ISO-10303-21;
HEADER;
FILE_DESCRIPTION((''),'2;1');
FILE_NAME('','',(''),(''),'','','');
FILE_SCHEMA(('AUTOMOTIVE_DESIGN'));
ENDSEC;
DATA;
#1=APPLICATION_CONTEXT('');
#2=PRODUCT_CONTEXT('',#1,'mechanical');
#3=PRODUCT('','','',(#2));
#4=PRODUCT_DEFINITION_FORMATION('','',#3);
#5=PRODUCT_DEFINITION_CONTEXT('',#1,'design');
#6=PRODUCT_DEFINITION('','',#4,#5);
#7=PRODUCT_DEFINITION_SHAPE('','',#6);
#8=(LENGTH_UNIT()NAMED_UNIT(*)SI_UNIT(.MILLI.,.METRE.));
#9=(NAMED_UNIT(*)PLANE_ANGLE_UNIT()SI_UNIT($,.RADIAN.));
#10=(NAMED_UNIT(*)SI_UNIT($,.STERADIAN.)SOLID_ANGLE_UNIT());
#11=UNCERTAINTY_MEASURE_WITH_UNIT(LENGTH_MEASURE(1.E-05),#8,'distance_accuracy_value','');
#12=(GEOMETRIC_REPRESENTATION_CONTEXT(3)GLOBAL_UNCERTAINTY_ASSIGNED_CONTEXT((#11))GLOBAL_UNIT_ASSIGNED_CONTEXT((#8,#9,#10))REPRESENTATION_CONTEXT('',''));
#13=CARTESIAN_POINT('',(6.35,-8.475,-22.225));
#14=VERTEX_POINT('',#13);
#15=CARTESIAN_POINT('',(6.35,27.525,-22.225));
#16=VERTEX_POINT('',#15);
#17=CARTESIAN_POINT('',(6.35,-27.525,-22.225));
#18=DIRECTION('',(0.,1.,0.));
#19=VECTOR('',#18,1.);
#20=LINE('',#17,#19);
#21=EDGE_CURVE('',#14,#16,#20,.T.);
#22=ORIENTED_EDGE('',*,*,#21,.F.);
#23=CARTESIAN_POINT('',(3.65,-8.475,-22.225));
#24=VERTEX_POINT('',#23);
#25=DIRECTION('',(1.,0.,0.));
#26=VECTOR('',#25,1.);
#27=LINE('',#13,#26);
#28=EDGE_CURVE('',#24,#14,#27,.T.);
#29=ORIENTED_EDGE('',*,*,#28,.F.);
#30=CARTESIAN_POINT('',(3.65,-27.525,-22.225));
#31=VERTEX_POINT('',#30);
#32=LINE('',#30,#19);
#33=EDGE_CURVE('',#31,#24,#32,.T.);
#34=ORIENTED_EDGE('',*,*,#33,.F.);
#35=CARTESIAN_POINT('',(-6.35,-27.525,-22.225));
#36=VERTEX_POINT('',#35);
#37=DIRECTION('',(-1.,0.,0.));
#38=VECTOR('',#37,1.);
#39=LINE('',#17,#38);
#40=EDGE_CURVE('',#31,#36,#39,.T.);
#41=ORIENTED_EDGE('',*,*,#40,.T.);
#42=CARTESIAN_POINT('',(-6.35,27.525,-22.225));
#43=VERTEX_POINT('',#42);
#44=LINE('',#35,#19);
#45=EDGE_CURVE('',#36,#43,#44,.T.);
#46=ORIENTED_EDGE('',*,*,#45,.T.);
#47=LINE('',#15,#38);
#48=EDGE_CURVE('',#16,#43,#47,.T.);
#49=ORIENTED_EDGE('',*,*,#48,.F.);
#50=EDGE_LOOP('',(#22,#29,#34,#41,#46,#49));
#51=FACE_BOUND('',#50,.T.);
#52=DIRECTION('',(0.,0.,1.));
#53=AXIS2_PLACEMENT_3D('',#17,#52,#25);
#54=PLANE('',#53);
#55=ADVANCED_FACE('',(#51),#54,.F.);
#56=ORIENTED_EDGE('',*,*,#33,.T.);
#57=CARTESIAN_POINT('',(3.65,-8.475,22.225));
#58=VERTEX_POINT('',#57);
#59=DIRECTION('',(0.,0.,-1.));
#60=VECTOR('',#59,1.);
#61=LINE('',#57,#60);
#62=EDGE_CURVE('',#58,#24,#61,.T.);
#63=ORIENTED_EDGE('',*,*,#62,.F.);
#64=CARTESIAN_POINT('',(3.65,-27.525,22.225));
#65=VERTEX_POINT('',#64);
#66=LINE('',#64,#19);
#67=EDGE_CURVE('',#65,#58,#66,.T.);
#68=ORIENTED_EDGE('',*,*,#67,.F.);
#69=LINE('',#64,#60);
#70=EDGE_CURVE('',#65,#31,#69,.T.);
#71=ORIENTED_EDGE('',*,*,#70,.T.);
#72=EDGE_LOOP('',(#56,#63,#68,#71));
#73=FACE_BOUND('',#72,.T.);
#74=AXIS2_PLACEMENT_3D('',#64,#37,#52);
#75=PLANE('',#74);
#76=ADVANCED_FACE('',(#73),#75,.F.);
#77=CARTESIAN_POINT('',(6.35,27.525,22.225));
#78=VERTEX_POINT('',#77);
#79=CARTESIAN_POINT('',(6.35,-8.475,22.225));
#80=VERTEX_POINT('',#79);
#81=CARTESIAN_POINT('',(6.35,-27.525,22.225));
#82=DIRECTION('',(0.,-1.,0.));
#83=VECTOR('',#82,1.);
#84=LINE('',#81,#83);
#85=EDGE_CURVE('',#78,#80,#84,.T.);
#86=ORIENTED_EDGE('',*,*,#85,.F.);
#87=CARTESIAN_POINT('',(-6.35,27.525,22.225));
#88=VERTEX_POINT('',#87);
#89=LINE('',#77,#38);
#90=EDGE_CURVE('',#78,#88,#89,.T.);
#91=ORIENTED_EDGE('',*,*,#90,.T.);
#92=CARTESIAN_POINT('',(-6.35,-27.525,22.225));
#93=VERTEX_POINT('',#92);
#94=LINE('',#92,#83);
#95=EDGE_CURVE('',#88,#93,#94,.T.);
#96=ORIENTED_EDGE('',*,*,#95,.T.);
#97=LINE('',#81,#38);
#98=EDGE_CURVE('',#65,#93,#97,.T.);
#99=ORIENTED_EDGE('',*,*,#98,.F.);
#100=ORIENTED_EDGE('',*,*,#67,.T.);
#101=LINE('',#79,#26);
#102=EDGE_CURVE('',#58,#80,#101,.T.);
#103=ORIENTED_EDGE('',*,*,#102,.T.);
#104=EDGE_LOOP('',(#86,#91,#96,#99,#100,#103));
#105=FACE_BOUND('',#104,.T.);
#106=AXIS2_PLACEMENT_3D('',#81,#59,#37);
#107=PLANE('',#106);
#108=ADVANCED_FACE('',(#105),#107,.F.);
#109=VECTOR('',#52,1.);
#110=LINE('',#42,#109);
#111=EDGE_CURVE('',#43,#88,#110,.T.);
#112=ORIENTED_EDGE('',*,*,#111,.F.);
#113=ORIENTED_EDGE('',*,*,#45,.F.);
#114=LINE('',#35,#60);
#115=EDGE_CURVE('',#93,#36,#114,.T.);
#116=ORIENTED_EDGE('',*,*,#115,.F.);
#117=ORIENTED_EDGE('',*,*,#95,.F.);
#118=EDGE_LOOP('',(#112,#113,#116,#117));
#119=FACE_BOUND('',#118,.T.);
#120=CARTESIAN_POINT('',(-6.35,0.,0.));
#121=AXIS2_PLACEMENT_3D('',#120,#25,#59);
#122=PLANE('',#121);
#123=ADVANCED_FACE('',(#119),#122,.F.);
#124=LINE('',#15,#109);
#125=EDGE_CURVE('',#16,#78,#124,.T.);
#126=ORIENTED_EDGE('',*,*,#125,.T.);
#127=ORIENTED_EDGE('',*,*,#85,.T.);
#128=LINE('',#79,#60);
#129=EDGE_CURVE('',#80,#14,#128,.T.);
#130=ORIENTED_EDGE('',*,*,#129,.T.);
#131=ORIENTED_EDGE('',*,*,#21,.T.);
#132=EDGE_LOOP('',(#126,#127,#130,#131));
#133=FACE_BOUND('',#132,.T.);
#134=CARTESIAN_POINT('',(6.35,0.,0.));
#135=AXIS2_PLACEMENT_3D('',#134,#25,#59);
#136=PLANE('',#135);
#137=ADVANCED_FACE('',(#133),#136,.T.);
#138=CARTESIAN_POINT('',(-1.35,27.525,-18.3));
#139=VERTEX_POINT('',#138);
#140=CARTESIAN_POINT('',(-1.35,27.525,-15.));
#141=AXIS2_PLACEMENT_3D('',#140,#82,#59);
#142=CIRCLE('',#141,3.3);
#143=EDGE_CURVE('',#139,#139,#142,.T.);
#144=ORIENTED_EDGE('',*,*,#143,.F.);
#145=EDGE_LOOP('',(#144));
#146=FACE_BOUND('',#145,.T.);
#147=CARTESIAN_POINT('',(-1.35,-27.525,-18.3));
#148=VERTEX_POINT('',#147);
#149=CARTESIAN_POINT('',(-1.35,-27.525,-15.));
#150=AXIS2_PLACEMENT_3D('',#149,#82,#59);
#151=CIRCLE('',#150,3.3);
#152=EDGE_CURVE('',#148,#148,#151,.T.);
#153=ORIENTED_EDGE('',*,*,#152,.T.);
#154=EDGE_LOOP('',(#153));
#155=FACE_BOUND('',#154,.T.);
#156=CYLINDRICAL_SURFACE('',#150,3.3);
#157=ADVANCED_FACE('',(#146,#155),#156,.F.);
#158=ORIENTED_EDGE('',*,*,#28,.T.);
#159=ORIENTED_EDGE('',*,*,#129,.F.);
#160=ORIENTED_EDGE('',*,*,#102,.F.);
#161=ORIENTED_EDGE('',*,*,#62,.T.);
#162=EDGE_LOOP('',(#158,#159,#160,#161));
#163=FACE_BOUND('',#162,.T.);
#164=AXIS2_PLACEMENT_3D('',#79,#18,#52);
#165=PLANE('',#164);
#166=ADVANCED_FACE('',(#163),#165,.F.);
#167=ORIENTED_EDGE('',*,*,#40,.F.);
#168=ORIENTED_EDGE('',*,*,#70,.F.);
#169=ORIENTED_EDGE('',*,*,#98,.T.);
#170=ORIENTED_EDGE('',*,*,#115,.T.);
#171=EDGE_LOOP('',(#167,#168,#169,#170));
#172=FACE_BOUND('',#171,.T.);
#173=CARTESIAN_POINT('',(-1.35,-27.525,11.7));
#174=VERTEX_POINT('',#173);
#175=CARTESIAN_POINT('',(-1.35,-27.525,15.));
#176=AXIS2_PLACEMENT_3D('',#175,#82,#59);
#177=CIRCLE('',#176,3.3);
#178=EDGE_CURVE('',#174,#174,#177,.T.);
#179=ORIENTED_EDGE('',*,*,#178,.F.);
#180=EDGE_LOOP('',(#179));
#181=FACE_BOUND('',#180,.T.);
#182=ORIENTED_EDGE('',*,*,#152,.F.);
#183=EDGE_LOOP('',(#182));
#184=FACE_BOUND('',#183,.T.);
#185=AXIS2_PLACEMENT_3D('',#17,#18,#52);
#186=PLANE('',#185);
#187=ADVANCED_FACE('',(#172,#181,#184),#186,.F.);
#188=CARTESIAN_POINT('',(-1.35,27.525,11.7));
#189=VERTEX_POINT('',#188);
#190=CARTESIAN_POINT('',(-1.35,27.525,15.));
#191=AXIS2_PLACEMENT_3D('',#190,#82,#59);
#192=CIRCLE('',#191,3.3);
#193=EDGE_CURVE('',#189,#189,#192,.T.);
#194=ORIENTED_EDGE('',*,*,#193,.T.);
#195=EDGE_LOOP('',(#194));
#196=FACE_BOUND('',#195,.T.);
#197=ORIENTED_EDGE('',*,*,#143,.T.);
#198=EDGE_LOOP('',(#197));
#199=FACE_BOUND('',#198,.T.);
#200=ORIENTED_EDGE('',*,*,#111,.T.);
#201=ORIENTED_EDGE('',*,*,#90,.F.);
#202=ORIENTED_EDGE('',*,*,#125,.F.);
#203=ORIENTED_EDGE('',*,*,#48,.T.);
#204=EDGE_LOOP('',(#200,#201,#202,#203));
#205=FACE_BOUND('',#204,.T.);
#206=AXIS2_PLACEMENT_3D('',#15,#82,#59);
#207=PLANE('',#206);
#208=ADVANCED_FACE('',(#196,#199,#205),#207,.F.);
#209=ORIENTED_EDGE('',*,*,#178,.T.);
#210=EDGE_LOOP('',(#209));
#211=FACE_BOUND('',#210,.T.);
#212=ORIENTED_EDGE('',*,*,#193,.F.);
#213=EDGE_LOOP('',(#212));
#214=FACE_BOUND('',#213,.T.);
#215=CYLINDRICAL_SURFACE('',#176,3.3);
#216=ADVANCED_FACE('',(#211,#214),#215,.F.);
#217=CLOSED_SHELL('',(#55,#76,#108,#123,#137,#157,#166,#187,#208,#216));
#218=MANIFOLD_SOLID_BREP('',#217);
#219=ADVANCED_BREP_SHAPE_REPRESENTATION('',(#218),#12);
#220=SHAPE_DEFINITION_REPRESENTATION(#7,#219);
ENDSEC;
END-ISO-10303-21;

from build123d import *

# Parameters (mm, degrees)
SKETCH1_W            = 44.45
SKETCH1_H            = 55.05
BOSS_EXTRUDE1_DEPTH  = 6.35
SKETCH2_W            = 2.7
SKETCH2_H            = 19.05
CUT_EXTRUDE1_DEPTH   = 53.666408886
M6_CLEARANCE_HOLE1_D = 6.6


with BuildPart() as part:
    # Sketch1 → Boss-Extrude1 (new, symmetric)
    with BuildSketch(Plane(origin=(0, 0, 0), x_dir=(0, 0, -1), z_dir=(1, 0, 0))):
        Rectangle(SKETCH1_W, SKETCH1_H)
    extrude(amount=BOSS_EXTRUDE1_DEPTH, both=True)

    # Sketch2 → Cut-Extrude1 (cut, through all)
    with BuildSketch(Plane(origin=(0, 0, -22.225), x_dir=(-1, 0, 0), z_dir=(0, 0, -1))):
        with Locations((-5, -18)):
            Rectangle(SKETCH2_W, SKETCH2_H)
    extrude(amount=-CUT_EXTRUDE1_DEPTH, mode=Mode.SUBTRACT)

    # M6 Clearance Hole1 (through all)
    with Locations(Plane(origin=(0, -27.525, 0), x_dir=(-1, 0, 0), z_dir=(0, -1, 0))):
        with Locations((1.35, 15), (1.35, -15)):
            Hole(M6_CLEARANCE_HOLE1_D / 2)


solid = part.part
